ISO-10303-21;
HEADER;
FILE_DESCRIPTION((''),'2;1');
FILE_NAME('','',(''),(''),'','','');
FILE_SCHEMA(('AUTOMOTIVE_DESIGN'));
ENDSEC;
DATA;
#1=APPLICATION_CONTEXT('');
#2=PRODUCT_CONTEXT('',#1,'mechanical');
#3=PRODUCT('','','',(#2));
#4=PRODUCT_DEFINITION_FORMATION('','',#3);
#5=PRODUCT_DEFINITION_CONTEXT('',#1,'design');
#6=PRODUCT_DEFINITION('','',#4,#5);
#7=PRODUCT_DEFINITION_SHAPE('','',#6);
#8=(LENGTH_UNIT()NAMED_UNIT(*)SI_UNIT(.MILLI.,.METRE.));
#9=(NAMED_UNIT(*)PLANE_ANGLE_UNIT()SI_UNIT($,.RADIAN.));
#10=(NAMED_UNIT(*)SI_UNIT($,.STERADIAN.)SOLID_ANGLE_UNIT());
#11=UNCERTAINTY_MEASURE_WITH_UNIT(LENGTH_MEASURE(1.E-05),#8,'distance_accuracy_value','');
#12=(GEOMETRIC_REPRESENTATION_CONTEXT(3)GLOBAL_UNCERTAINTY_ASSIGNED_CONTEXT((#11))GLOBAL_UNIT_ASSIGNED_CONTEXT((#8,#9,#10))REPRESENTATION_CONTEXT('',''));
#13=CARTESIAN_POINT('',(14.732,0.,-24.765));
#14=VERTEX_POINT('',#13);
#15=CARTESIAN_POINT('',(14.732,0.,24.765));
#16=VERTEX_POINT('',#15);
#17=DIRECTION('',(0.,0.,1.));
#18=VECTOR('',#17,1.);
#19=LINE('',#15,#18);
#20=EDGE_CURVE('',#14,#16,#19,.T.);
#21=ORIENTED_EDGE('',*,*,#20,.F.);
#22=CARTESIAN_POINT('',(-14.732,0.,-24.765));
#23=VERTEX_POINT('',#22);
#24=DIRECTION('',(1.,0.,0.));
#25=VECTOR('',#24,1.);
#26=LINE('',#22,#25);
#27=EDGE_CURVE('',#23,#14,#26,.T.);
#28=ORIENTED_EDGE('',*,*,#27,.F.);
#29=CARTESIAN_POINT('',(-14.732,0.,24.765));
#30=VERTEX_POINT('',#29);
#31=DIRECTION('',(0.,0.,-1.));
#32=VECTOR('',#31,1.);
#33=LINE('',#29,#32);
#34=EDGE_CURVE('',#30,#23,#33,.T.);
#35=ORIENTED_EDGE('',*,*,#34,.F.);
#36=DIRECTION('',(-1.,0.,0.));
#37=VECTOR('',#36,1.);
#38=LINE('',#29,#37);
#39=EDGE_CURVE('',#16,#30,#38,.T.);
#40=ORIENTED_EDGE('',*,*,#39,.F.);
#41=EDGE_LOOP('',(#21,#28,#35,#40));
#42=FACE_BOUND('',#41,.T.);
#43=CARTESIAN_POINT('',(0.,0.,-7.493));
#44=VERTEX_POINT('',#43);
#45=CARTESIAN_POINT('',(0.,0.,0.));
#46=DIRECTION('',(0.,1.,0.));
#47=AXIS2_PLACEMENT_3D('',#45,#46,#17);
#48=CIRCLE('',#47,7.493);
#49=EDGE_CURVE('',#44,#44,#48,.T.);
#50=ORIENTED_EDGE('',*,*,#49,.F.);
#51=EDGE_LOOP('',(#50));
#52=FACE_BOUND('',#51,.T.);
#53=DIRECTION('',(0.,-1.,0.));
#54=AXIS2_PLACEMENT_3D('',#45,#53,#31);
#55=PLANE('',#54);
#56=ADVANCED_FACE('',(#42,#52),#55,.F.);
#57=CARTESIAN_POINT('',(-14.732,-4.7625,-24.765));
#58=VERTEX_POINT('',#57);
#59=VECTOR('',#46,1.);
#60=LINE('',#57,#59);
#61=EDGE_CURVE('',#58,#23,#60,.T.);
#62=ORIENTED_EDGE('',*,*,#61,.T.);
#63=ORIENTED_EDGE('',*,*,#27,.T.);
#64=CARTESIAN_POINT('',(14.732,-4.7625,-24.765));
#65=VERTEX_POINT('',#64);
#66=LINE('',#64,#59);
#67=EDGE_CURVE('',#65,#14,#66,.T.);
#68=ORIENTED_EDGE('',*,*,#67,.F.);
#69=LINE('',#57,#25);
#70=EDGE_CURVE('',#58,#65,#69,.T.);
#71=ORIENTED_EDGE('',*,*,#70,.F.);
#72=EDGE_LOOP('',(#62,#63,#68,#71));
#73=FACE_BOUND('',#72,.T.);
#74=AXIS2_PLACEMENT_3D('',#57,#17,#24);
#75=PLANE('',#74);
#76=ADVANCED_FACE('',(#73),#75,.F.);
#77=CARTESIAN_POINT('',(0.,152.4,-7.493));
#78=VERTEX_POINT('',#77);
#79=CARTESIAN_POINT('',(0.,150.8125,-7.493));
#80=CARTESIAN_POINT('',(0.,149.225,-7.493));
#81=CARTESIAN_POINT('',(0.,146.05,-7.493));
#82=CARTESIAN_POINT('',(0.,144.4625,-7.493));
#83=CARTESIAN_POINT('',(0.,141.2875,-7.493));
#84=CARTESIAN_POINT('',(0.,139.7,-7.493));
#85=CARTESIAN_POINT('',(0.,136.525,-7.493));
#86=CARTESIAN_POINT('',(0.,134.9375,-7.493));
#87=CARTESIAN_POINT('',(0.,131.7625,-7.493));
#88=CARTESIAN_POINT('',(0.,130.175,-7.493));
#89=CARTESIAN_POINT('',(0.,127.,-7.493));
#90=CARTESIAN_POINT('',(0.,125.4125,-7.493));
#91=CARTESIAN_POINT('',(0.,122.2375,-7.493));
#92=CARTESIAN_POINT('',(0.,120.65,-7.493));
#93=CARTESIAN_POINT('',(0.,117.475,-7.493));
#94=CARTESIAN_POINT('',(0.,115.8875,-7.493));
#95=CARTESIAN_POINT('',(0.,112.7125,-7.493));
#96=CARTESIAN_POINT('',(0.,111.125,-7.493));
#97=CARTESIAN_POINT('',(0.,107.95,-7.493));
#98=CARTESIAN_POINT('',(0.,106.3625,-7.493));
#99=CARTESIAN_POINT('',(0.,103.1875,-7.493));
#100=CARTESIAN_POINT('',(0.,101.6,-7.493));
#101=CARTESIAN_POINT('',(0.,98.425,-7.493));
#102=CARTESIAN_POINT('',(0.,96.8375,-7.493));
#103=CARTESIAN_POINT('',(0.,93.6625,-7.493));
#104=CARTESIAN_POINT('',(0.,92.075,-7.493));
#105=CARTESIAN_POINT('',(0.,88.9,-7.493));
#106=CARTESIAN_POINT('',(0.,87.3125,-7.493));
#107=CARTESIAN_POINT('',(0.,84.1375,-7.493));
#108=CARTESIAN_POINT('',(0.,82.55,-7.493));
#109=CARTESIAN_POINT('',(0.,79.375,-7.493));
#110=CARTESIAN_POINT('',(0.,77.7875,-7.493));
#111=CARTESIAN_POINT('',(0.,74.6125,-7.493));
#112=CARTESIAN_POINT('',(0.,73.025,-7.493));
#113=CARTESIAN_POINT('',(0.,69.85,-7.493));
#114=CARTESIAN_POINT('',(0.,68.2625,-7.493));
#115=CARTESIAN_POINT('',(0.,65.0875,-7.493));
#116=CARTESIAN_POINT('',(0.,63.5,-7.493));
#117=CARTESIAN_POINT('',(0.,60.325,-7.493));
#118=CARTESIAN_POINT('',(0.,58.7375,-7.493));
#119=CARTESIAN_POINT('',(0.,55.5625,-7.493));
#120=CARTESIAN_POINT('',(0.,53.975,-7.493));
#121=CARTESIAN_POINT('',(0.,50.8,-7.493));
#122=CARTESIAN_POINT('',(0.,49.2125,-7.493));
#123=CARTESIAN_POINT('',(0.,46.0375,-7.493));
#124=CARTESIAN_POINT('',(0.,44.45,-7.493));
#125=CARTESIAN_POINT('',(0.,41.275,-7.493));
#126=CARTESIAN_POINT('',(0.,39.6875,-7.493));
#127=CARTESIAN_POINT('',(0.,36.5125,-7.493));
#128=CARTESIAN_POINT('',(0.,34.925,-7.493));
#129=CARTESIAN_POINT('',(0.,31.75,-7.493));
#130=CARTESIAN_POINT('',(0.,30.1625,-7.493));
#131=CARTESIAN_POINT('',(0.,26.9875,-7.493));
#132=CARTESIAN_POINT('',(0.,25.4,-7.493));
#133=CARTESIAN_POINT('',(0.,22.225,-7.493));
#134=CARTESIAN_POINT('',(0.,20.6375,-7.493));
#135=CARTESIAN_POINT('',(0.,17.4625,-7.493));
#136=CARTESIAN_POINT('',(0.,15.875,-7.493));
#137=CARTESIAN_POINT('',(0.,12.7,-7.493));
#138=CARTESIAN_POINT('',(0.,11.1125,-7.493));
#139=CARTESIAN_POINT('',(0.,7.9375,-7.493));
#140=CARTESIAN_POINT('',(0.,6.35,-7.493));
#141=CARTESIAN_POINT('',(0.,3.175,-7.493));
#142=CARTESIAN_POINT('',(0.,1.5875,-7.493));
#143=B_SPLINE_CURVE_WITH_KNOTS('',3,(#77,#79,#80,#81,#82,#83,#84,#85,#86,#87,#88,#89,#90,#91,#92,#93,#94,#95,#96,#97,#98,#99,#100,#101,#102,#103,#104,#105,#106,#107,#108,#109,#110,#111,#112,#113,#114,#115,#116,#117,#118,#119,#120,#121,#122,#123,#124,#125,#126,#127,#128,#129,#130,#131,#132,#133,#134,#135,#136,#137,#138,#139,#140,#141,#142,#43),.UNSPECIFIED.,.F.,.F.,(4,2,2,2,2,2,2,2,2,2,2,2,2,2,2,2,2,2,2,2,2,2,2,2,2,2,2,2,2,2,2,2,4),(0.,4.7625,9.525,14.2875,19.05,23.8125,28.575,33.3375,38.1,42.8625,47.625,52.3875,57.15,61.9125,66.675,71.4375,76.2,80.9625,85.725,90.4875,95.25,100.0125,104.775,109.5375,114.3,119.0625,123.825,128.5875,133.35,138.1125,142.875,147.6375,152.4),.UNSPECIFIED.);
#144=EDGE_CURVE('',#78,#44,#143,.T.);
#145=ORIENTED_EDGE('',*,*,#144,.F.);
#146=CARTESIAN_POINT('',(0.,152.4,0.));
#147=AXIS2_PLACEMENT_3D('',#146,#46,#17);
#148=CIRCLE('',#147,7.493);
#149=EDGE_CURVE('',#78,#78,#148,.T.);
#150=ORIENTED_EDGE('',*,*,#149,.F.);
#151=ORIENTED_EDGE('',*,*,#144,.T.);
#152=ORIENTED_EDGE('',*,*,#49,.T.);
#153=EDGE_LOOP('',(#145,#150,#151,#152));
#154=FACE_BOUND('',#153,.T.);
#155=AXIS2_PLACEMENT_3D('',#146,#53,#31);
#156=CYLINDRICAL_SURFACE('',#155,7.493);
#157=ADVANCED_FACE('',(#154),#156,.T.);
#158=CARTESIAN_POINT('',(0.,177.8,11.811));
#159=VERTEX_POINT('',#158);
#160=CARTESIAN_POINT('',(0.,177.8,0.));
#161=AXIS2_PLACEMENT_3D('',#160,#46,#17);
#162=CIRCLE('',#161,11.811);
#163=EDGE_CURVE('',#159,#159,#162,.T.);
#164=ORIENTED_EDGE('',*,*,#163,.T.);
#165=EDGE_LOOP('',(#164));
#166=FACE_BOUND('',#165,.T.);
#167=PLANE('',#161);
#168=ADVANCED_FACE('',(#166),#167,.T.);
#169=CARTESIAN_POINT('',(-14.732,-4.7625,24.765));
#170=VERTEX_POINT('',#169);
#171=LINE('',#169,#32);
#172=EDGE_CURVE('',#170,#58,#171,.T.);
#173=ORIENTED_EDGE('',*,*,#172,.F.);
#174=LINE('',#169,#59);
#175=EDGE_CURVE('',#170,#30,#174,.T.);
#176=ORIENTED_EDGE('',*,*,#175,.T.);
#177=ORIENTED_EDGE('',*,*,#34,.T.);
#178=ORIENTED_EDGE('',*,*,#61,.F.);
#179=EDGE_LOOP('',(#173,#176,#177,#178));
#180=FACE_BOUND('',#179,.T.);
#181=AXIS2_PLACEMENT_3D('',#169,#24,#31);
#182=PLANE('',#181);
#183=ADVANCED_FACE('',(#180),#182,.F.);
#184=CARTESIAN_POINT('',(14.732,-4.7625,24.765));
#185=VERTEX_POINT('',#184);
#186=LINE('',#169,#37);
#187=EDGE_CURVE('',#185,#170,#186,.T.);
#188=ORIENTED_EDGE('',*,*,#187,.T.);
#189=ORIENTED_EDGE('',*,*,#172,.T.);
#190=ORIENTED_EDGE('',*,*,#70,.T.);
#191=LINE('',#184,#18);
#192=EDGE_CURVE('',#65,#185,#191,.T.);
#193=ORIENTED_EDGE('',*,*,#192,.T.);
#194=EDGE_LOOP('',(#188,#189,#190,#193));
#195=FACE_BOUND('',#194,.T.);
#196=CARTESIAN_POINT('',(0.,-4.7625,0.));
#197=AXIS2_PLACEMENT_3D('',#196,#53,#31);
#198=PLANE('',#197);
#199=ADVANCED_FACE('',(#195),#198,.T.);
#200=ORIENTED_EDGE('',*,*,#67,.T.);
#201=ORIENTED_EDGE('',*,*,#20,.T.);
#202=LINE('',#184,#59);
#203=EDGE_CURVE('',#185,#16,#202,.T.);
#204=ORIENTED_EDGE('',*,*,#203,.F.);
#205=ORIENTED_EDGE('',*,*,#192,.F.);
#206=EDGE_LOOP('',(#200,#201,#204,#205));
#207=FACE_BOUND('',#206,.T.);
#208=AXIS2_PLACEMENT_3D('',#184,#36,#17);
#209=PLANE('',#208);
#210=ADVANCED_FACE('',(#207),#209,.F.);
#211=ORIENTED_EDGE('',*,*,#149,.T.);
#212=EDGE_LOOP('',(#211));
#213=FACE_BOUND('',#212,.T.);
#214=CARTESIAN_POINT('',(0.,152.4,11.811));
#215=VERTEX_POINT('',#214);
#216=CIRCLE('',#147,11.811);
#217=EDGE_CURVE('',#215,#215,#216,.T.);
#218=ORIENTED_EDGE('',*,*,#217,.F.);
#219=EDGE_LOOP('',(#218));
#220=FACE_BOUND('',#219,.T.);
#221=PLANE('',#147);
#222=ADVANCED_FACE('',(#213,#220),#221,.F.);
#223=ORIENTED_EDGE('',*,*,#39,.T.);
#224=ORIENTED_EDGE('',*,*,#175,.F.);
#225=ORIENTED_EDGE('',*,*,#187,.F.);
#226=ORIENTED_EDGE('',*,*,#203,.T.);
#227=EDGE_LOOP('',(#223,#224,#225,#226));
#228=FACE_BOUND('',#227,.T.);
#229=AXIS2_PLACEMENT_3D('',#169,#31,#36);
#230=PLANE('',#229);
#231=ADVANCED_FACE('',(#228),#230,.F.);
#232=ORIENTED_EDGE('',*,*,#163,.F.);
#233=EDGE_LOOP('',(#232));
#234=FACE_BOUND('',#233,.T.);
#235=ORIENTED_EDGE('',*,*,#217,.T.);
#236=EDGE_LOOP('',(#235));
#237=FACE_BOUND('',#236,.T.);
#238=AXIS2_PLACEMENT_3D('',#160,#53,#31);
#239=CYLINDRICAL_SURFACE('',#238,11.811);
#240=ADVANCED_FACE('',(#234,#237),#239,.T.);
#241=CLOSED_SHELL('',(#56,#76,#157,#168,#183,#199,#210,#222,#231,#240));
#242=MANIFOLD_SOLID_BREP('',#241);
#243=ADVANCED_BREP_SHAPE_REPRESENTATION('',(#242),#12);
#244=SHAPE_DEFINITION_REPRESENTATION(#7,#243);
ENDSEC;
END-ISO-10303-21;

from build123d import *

# Parameters (mm, degrees)
SKETCH1_R           = 7.493
BOSS_EXTRUDE1_DEPTH = 152.4
SKETCH2_W           = 29.464
SKETCH2_H           = 49.53
BOSS_EXTRUDE2_DEPTH = 4.7625
SKETCH3_R           = 11.811
BOSS_EXTRUDE3_DEPTH = 25.4


with BuildPart() as part:
    # Sketch1 → Boss-Extrude1 (new body)
    with BuildSketch(Plane(origin=(0, 0, 0), x_dir=(1, 0, 0), z_dir=(0, 1, 0))):
        with Locations(Location((0, 0, 0), (0, 0, 90))):
            Circle(SKETCH1_R)
    extrude(amount=BOSS_EXTRUDE1_DEPTH)

    # Sketch2 → Boss-Extrude2 (add)
    with BuildSketch(Plane.XZ):
        Rectangle(SKETCH2_W, SKETCH2_H)
    extrude(amount=BOSS_EXTRUDE2_DEPTH)

    # Sketch3 → Boss-Extrude3 (add)
    with BuildSketch(Plane(origin=(0, 152.4, 0), x_dir=(1, 0, 0), z_dir=(0, 1, 0))):
        with Locations(Location((0, 0, 0), (0, 0, 270))):
            Circle(SKETCH3_R)
    extrude(amount=BOSS_EXTRUDE3_DEPTH)


solid = part.part
